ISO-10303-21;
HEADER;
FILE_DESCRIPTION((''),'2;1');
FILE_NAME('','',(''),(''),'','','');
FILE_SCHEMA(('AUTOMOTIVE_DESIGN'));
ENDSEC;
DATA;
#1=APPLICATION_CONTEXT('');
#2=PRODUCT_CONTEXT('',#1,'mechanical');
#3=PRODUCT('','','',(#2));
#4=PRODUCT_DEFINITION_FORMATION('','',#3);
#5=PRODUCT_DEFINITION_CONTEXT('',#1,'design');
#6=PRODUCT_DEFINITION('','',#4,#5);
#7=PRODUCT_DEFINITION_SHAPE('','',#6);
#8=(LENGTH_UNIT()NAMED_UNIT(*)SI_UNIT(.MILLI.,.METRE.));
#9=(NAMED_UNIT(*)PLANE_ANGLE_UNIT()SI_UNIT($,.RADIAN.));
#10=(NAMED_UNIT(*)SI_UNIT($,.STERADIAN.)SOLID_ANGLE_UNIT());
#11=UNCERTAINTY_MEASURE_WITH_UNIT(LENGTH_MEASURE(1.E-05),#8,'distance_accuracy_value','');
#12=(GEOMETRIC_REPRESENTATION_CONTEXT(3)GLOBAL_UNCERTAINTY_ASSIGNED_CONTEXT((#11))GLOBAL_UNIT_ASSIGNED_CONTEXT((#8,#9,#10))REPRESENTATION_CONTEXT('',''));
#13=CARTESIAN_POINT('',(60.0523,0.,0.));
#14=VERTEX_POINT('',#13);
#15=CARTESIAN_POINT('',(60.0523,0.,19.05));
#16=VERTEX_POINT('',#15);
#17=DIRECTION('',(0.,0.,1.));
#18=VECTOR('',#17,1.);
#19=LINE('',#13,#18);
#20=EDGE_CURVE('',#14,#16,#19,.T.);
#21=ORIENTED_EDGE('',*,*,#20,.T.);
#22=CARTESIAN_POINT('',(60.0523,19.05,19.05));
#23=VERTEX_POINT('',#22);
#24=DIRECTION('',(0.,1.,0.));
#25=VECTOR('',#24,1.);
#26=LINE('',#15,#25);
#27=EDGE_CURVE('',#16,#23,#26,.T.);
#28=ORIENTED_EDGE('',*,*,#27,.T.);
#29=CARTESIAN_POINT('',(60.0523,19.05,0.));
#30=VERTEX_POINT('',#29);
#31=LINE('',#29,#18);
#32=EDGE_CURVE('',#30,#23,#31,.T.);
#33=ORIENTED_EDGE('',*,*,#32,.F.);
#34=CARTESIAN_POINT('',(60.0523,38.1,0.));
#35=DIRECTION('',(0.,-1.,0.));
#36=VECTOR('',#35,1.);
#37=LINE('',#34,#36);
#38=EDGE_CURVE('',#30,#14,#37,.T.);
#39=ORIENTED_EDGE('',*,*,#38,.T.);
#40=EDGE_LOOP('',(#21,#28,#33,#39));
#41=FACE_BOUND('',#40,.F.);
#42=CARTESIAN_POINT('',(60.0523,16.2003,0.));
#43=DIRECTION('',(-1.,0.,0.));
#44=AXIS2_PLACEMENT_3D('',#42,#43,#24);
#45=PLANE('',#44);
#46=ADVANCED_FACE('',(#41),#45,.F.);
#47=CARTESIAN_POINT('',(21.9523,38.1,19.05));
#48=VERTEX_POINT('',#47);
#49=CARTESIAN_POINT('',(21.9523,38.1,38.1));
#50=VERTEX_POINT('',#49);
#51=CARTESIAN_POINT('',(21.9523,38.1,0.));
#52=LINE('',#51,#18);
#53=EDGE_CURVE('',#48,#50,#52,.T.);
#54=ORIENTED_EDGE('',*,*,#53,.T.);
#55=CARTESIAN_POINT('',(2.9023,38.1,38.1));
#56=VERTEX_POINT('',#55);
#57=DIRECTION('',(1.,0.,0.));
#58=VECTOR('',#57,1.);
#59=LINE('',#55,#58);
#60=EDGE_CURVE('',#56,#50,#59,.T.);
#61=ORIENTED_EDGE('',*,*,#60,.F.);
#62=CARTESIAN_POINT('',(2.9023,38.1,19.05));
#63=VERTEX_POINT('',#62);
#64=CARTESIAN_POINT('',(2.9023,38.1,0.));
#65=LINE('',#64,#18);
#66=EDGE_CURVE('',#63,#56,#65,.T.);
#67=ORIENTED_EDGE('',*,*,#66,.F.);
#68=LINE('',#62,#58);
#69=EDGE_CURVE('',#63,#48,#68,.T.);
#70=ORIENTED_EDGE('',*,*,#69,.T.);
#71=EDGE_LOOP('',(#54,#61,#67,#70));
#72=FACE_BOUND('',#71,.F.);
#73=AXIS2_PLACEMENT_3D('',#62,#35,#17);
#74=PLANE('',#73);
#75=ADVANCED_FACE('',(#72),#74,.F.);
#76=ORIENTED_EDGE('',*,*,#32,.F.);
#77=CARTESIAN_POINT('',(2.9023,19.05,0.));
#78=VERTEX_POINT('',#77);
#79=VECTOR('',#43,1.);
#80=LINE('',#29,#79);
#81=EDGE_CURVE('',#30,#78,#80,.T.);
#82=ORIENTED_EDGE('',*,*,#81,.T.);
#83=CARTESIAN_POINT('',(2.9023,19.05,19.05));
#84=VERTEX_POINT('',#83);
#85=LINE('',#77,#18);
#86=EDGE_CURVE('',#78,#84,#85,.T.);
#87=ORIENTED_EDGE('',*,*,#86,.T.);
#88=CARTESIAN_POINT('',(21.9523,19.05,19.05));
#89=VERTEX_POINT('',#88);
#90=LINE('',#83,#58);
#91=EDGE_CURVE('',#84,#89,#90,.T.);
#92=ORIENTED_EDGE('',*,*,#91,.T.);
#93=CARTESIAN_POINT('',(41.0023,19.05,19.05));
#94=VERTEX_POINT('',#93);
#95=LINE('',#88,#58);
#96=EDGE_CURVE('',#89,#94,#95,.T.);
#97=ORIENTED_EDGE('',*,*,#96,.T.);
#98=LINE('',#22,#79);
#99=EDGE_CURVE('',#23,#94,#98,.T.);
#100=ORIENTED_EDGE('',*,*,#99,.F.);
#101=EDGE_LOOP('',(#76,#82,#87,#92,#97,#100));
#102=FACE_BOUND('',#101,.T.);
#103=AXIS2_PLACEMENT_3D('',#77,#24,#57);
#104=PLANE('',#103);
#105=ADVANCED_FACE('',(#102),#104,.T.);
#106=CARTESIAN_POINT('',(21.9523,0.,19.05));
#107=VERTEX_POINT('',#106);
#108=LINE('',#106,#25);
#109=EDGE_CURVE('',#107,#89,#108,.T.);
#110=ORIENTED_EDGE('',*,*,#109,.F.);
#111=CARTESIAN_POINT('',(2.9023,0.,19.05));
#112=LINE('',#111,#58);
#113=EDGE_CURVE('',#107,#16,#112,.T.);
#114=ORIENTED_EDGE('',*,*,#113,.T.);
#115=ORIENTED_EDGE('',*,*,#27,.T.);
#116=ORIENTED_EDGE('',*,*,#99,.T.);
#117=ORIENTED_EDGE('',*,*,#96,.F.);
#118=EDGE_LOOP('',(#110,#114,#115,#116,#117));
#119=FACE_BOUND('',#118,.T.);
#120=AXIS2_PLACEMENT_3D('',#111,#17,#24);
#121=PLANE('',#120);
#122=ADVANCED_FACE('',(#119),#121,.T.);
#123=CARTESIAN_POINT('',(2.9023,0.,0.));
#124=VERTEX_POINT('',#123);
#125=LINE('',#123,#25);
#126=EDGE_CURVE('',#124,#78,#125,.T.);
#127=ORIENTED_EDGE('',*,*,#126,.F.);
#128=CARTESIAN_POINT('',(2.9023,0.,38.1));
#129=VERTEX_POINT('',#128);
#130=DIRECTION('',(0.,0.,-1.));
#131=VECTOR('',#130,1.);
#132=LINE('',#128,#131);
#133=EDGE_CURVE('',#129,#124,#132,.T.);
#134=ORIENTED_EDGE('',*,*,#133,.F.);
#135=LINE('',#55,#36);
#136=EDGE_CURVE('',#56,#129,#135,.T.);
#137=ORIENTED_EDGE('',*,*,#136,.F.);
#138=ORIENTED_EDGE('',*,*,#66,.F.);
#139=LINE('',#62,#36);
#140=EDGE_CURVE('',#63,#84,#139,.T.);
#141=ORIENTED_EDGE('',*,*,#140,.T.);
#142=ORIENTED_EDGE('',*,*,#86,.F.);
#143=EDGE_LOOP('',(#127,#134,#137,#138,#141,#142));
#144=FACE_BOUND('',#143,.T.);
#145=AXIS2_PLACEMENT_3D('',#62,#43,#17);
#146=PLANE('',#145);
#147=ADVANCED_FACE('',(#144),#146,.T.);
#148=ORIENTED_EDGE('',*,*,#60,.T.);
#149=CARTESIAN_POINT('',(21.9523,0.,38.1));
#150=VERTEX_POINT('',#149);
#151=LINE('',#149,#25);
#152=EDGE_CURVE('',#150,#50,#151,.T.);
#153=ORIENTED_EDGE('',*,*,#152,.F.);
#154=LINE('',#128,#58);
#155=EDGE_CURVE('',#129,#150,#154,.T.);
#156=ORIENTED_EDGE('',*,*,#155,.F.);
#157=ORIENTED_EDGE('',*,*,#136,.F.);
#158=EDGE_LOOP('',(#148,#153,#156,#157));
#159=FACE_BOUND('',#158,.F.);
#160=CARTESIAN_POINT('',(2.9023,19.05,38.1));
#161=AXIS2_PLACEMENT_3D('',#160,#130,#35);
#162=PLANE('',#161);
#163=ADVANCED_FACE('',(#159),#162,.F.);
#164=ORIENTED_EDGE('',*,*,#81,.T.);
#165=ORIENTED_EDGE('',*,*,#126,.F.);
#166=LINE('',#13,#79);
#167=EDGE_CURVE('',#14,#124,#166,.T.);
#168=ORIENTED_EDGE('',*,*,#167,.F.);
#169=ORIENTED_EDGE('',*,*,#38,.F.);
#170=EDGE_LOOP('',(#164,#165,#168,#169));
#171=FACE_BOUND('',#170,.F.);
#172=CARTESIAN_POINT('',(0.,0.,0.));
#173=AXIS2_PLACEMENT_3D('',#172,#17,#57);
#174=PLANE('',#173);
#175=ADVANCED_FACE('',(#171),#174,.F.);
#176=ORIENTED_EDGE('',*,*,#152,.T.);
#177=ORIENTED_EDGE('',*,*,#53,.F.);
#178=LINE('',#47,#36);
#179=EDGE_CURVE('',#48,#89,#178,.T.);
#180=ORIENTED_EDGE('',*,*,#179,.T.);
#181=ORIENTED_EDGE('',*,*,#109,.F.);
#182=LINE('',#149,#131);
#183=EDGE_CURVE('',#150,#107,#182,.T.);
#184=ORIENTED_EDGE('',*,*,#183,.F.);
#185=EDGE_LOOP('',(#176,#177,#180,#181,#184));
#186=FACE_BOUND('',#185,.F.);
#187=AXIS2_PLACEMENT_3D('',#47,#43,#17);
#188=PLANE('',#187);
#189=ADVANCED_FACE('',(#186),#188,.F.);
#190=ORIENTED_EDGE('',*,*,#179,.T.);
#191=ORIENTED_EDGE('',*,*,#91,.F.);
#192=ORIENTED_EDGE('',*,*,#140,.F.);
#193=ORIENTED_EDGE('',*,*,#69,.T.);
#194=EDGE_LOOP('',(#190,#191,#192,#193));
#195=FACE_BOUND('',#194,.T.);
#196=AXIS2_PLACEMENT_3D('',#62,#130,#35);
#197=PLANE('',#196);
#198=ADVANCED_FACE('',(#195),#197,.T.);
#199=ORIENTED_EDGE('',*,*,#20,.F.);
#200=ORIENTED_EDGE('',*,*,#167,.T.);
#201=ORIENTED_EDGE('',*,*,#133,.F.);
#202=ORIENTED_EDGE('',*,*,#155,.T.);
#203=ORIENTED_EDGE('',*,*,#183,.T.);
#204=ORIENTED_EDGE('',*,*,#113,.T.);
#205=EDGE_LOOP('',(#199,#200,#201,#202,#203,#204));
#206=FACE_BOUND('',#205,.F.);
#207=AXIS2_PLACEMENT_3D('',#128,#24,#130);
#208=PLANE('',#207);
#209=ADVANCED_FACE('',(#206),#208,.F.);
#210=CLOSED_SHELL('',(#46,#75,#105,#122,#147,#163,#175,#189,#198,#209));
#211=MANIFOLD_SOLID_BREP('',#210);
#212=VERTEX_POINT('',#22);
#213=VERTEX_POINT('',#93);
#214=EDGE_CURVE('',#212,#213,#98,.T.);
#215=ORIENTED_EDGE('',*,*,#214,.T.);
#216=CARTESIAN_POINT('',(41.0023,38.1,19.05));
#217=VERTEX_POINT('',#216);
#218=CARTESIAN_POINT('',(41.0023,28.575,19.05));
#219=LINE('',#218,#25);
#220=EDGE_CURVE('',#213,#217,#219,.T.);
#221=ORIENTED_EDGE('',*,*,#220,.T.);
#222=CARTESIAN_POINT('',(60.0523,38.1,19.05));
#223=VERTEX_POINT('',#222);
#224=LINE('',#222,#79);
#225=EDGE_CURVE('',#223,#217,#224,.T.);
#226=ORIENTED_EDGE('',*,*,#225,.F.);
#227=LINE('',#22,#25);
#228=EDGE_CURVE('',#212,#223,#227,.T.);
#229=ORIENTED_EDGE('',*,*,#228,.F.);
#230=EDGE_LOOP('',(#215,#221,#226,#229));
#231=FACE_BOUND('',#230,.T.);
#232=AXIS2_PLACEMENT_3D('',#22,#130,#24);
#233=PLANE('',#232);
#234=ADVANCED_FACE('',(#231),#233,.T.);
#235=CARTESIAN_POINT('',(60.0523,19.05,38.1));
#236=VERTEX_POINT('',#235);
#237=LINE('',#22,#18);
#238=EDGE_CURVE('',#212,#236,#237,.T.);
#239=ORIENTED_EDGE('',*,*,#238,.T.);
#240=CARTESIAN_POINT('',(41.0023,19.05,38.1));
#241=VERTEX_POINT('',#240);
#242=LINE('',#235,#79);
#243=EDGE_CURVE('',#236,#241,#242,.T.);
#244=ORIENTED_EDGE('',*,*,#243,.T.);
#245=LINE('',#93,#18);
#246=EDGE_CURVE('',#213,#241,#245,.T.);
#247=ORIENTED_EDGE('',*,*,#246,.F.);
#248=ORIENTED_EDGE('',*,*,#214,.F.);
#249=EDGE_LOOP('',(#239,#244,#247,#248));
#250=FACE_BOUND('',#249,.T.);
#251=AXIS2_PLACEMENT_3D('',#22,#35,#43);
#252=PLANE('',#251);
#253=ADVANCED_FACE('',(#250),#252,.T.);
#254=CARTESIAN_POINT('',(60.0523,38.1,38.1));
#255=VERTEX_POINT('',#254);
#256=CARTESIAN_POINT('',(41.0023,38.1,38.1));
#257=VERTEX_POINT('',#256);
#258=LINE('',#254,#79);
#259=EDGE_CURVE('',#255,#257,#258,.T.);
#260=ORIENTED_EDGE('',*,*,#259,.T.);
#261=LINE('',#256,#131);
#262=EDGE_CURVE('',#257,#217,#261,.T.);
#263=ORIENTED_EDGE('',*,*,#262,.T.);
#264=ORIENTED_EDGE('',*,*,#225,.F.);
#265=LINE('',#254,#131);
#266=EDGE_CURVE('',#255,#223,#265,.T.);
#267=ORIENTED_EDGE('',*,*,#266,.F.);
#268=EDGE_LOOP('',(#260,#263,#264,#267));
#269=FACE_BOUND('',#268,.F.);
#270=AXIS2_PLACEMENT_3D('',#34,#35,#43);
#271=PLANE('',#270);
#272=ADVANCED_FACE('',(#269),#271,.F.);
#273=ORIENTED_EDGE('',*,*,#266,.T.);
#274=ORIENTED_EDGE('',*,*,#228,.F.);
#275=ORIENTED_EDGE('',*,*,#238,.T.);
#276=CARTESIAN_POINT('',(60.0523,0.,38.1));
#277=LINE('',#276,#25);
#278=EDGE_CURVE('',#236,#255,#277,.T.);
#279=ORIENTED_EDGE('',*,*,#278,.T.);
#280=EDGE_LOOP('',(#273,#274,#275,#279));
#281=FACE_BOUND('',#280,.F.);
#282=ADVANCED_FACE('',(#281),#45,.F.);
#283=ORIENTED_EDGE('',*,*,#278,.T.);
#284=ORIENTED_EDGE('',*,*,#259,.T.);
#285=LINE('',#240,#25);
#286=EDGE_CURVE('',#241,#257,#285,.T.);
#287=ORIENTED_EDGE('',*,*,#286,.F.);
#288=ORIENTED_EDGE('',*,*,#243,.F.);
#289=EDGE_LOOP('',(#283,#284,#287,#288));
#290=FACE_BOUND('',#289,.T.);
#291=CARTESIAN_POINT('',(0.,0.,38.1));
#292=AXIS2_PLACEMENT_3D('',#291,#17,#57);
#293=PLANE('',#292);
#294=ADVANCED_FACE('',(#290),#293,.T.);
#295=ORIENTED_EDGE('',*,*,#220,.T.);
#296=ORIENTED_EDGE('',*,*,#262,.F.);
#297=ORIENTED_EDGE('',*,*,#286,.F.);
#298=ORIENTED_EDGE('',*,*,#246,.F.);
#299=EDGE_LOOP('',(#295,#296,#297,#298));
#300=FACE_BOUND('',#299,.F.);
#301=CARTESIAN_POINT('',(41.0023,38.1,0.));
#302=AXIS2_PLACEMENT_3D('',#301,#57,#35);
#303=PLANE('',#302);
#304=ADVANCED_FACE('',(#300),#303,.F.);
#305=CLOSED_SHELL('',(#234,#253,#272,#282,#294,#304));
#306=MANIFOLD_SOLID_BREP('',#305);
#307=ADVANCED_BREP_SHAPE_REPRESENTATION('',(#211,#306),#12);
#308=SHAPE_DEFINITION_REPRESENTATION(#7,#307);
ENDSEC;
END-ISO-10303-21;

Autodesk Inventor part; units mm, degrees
ref_plane "YZ Plane" through (0, 0, 0) normal (1, 0, 0) x (0, 1, 0)
ref_plane "XZ Plane" through (0, 0, 0) normal (0, 1, 0) x (-1, 0, 0)
ref_plane "XY Plane" through (0, 0, 0) normal (0, 0, 1) x (1, 0, 0)
sketch "Sketch1" plane through (0, 0, 0) normal (0, 0, 1) x (1, 0, 0)
  line L0 (2.9023, 19.05) -> (41.0023, 19.05)
  line L1 (60.0523, 16.2003) -> (60.0523, 0)
  line L2 (60.0523, 0) -> (2.9023, 0)
  line L3 (2.9023, 0) -> (2.9023, 19.05)
  line L4 (42.0303, 0) -> (60.0523, 0)
  line L5 (60.0523, 0) -> (60.0523, 38.1)
  line L6 (60.0523, 38.1) -> (41.0023, 38.1)
  line L7 (41.0023, 38.1) -> (41.0023, 19.05)
  point P0 (0, 0)
  dimension "d0" = 57.15
  dimension "d1" = 38.1
  dimension "d2" = 19.05
  dimension "d3" = 38.1
  dimension "d4" = 19.05
extrude "Extrusion1" add sketch "Sketch1" along normal blind 19.05
sketch "Sketch2" plane through (0, 0, 19.05) normal (0, 0, 1) x (1, 0, 0)
  line L0 (60.0523, 38.1) -> (41.0023, 38.1) projected
  line L1 (60.0523, 0) -> (60.0523, 38.1) projected
  line L2 (41.0023, 38.1) -> (60.0523, 38.1)
  line L3 (60.0523, 38.1) -> (60.0523, 19.05)
  line L4 (60.0523, 19.05) -> (41.0023, 19.05)
  line L5 (41.0023, 19.05) -> (41.0023, 38.1)
  point P0 (0, 0)
extrude "Extrusion2" add sketch "Sketch2" along normal blind 19.05
sketch "Sketch3" plane through (2.9023, 0, 0) normal (-1, 0, 0) x (0, 0, 1)
  line L0 (19.05, 19.05) -> (19.05, 0) projected
  line L1 (0, 38.1) -> (38.1, 38.1) projected
  line L2 (19.05, 0) -> (38.1, 0)
  line L3 (38.1, 0) -> (38.1, 38.1)
  line L4 (38.1, 38.1) -> (19.05, 38.1)
  line L5 (19.05, 38.1) -> (19.05, 0)
  point P0 (0, 0)
extrude "Extrusion3" add sketch "Sketch3" against normal blind 19.05
sketch "Sketch4" plane through (2.9023, 0, 0) normal (-1, 0, 0) x (0, 0, 1)
  line L0 (0, 0) -> (38.1, 0) projected
  line L1 (0, 19.05) -> (19.05, 19.05) projected
  line L2 (38.1, 0) -> (19.05, 0)
  line L3 (19.05, 0) -> (19.05, 19.05)
  line L4 (19.05, 19.05) -> (38.1, 19.05)
  line L5 (38.1, 19.05) -> (38.1, 0)
extrude "Extrusion4" cut sketch "Sketch4" against normal blind 19.05
sketch "Sketch5" plane through (60.0523, 0, 0) normal (1, 0, 0) x (0, 0, -1)
  line L0 (-19.05, 19.05) -> (-19.05, 38.1) projected
  line L1 (0, 38.1) -> (0, 0) projected
  line L2 (-19.05, 38.1) -> (0, 38.1)
  line L3 (0, 38.1) -> (0, 19.05)
  line L4 (0, 19.05) -> (-19.05, 19.05)
  line L5 (-19.05, 19.05) -> (-19.05, 38.1)
extrude "Extrusion5" cut sketch "Sketch5" against normal blind 20.6375
sketch "Sketch6" plane through (2.9023, 38.1, 19.05) normal (-1, 0, 0) x (0, 0, 1)
  line L0 (-19.05, -19.05) -> (0, -19.05) projected
  line L1 (0, -19.05) -> (19.05, -19.05)
  line L2 (19.05, -19.05) -> (19.05, -38.1)
  line L3 (19.05, -38.1) -> (0, -38.1)
  line L4 (0, -38.1) -> (0, -19.05)
  point P0 (-19.05, -38.1)
  dimension "d15" = 19.05
  dimension "d16" = 19.05
extrude "Extrusion6" add sketch "Sketch6" against normal blind 19.05
properties part number "Dark Blue Part" material "Wood (Maple)"
